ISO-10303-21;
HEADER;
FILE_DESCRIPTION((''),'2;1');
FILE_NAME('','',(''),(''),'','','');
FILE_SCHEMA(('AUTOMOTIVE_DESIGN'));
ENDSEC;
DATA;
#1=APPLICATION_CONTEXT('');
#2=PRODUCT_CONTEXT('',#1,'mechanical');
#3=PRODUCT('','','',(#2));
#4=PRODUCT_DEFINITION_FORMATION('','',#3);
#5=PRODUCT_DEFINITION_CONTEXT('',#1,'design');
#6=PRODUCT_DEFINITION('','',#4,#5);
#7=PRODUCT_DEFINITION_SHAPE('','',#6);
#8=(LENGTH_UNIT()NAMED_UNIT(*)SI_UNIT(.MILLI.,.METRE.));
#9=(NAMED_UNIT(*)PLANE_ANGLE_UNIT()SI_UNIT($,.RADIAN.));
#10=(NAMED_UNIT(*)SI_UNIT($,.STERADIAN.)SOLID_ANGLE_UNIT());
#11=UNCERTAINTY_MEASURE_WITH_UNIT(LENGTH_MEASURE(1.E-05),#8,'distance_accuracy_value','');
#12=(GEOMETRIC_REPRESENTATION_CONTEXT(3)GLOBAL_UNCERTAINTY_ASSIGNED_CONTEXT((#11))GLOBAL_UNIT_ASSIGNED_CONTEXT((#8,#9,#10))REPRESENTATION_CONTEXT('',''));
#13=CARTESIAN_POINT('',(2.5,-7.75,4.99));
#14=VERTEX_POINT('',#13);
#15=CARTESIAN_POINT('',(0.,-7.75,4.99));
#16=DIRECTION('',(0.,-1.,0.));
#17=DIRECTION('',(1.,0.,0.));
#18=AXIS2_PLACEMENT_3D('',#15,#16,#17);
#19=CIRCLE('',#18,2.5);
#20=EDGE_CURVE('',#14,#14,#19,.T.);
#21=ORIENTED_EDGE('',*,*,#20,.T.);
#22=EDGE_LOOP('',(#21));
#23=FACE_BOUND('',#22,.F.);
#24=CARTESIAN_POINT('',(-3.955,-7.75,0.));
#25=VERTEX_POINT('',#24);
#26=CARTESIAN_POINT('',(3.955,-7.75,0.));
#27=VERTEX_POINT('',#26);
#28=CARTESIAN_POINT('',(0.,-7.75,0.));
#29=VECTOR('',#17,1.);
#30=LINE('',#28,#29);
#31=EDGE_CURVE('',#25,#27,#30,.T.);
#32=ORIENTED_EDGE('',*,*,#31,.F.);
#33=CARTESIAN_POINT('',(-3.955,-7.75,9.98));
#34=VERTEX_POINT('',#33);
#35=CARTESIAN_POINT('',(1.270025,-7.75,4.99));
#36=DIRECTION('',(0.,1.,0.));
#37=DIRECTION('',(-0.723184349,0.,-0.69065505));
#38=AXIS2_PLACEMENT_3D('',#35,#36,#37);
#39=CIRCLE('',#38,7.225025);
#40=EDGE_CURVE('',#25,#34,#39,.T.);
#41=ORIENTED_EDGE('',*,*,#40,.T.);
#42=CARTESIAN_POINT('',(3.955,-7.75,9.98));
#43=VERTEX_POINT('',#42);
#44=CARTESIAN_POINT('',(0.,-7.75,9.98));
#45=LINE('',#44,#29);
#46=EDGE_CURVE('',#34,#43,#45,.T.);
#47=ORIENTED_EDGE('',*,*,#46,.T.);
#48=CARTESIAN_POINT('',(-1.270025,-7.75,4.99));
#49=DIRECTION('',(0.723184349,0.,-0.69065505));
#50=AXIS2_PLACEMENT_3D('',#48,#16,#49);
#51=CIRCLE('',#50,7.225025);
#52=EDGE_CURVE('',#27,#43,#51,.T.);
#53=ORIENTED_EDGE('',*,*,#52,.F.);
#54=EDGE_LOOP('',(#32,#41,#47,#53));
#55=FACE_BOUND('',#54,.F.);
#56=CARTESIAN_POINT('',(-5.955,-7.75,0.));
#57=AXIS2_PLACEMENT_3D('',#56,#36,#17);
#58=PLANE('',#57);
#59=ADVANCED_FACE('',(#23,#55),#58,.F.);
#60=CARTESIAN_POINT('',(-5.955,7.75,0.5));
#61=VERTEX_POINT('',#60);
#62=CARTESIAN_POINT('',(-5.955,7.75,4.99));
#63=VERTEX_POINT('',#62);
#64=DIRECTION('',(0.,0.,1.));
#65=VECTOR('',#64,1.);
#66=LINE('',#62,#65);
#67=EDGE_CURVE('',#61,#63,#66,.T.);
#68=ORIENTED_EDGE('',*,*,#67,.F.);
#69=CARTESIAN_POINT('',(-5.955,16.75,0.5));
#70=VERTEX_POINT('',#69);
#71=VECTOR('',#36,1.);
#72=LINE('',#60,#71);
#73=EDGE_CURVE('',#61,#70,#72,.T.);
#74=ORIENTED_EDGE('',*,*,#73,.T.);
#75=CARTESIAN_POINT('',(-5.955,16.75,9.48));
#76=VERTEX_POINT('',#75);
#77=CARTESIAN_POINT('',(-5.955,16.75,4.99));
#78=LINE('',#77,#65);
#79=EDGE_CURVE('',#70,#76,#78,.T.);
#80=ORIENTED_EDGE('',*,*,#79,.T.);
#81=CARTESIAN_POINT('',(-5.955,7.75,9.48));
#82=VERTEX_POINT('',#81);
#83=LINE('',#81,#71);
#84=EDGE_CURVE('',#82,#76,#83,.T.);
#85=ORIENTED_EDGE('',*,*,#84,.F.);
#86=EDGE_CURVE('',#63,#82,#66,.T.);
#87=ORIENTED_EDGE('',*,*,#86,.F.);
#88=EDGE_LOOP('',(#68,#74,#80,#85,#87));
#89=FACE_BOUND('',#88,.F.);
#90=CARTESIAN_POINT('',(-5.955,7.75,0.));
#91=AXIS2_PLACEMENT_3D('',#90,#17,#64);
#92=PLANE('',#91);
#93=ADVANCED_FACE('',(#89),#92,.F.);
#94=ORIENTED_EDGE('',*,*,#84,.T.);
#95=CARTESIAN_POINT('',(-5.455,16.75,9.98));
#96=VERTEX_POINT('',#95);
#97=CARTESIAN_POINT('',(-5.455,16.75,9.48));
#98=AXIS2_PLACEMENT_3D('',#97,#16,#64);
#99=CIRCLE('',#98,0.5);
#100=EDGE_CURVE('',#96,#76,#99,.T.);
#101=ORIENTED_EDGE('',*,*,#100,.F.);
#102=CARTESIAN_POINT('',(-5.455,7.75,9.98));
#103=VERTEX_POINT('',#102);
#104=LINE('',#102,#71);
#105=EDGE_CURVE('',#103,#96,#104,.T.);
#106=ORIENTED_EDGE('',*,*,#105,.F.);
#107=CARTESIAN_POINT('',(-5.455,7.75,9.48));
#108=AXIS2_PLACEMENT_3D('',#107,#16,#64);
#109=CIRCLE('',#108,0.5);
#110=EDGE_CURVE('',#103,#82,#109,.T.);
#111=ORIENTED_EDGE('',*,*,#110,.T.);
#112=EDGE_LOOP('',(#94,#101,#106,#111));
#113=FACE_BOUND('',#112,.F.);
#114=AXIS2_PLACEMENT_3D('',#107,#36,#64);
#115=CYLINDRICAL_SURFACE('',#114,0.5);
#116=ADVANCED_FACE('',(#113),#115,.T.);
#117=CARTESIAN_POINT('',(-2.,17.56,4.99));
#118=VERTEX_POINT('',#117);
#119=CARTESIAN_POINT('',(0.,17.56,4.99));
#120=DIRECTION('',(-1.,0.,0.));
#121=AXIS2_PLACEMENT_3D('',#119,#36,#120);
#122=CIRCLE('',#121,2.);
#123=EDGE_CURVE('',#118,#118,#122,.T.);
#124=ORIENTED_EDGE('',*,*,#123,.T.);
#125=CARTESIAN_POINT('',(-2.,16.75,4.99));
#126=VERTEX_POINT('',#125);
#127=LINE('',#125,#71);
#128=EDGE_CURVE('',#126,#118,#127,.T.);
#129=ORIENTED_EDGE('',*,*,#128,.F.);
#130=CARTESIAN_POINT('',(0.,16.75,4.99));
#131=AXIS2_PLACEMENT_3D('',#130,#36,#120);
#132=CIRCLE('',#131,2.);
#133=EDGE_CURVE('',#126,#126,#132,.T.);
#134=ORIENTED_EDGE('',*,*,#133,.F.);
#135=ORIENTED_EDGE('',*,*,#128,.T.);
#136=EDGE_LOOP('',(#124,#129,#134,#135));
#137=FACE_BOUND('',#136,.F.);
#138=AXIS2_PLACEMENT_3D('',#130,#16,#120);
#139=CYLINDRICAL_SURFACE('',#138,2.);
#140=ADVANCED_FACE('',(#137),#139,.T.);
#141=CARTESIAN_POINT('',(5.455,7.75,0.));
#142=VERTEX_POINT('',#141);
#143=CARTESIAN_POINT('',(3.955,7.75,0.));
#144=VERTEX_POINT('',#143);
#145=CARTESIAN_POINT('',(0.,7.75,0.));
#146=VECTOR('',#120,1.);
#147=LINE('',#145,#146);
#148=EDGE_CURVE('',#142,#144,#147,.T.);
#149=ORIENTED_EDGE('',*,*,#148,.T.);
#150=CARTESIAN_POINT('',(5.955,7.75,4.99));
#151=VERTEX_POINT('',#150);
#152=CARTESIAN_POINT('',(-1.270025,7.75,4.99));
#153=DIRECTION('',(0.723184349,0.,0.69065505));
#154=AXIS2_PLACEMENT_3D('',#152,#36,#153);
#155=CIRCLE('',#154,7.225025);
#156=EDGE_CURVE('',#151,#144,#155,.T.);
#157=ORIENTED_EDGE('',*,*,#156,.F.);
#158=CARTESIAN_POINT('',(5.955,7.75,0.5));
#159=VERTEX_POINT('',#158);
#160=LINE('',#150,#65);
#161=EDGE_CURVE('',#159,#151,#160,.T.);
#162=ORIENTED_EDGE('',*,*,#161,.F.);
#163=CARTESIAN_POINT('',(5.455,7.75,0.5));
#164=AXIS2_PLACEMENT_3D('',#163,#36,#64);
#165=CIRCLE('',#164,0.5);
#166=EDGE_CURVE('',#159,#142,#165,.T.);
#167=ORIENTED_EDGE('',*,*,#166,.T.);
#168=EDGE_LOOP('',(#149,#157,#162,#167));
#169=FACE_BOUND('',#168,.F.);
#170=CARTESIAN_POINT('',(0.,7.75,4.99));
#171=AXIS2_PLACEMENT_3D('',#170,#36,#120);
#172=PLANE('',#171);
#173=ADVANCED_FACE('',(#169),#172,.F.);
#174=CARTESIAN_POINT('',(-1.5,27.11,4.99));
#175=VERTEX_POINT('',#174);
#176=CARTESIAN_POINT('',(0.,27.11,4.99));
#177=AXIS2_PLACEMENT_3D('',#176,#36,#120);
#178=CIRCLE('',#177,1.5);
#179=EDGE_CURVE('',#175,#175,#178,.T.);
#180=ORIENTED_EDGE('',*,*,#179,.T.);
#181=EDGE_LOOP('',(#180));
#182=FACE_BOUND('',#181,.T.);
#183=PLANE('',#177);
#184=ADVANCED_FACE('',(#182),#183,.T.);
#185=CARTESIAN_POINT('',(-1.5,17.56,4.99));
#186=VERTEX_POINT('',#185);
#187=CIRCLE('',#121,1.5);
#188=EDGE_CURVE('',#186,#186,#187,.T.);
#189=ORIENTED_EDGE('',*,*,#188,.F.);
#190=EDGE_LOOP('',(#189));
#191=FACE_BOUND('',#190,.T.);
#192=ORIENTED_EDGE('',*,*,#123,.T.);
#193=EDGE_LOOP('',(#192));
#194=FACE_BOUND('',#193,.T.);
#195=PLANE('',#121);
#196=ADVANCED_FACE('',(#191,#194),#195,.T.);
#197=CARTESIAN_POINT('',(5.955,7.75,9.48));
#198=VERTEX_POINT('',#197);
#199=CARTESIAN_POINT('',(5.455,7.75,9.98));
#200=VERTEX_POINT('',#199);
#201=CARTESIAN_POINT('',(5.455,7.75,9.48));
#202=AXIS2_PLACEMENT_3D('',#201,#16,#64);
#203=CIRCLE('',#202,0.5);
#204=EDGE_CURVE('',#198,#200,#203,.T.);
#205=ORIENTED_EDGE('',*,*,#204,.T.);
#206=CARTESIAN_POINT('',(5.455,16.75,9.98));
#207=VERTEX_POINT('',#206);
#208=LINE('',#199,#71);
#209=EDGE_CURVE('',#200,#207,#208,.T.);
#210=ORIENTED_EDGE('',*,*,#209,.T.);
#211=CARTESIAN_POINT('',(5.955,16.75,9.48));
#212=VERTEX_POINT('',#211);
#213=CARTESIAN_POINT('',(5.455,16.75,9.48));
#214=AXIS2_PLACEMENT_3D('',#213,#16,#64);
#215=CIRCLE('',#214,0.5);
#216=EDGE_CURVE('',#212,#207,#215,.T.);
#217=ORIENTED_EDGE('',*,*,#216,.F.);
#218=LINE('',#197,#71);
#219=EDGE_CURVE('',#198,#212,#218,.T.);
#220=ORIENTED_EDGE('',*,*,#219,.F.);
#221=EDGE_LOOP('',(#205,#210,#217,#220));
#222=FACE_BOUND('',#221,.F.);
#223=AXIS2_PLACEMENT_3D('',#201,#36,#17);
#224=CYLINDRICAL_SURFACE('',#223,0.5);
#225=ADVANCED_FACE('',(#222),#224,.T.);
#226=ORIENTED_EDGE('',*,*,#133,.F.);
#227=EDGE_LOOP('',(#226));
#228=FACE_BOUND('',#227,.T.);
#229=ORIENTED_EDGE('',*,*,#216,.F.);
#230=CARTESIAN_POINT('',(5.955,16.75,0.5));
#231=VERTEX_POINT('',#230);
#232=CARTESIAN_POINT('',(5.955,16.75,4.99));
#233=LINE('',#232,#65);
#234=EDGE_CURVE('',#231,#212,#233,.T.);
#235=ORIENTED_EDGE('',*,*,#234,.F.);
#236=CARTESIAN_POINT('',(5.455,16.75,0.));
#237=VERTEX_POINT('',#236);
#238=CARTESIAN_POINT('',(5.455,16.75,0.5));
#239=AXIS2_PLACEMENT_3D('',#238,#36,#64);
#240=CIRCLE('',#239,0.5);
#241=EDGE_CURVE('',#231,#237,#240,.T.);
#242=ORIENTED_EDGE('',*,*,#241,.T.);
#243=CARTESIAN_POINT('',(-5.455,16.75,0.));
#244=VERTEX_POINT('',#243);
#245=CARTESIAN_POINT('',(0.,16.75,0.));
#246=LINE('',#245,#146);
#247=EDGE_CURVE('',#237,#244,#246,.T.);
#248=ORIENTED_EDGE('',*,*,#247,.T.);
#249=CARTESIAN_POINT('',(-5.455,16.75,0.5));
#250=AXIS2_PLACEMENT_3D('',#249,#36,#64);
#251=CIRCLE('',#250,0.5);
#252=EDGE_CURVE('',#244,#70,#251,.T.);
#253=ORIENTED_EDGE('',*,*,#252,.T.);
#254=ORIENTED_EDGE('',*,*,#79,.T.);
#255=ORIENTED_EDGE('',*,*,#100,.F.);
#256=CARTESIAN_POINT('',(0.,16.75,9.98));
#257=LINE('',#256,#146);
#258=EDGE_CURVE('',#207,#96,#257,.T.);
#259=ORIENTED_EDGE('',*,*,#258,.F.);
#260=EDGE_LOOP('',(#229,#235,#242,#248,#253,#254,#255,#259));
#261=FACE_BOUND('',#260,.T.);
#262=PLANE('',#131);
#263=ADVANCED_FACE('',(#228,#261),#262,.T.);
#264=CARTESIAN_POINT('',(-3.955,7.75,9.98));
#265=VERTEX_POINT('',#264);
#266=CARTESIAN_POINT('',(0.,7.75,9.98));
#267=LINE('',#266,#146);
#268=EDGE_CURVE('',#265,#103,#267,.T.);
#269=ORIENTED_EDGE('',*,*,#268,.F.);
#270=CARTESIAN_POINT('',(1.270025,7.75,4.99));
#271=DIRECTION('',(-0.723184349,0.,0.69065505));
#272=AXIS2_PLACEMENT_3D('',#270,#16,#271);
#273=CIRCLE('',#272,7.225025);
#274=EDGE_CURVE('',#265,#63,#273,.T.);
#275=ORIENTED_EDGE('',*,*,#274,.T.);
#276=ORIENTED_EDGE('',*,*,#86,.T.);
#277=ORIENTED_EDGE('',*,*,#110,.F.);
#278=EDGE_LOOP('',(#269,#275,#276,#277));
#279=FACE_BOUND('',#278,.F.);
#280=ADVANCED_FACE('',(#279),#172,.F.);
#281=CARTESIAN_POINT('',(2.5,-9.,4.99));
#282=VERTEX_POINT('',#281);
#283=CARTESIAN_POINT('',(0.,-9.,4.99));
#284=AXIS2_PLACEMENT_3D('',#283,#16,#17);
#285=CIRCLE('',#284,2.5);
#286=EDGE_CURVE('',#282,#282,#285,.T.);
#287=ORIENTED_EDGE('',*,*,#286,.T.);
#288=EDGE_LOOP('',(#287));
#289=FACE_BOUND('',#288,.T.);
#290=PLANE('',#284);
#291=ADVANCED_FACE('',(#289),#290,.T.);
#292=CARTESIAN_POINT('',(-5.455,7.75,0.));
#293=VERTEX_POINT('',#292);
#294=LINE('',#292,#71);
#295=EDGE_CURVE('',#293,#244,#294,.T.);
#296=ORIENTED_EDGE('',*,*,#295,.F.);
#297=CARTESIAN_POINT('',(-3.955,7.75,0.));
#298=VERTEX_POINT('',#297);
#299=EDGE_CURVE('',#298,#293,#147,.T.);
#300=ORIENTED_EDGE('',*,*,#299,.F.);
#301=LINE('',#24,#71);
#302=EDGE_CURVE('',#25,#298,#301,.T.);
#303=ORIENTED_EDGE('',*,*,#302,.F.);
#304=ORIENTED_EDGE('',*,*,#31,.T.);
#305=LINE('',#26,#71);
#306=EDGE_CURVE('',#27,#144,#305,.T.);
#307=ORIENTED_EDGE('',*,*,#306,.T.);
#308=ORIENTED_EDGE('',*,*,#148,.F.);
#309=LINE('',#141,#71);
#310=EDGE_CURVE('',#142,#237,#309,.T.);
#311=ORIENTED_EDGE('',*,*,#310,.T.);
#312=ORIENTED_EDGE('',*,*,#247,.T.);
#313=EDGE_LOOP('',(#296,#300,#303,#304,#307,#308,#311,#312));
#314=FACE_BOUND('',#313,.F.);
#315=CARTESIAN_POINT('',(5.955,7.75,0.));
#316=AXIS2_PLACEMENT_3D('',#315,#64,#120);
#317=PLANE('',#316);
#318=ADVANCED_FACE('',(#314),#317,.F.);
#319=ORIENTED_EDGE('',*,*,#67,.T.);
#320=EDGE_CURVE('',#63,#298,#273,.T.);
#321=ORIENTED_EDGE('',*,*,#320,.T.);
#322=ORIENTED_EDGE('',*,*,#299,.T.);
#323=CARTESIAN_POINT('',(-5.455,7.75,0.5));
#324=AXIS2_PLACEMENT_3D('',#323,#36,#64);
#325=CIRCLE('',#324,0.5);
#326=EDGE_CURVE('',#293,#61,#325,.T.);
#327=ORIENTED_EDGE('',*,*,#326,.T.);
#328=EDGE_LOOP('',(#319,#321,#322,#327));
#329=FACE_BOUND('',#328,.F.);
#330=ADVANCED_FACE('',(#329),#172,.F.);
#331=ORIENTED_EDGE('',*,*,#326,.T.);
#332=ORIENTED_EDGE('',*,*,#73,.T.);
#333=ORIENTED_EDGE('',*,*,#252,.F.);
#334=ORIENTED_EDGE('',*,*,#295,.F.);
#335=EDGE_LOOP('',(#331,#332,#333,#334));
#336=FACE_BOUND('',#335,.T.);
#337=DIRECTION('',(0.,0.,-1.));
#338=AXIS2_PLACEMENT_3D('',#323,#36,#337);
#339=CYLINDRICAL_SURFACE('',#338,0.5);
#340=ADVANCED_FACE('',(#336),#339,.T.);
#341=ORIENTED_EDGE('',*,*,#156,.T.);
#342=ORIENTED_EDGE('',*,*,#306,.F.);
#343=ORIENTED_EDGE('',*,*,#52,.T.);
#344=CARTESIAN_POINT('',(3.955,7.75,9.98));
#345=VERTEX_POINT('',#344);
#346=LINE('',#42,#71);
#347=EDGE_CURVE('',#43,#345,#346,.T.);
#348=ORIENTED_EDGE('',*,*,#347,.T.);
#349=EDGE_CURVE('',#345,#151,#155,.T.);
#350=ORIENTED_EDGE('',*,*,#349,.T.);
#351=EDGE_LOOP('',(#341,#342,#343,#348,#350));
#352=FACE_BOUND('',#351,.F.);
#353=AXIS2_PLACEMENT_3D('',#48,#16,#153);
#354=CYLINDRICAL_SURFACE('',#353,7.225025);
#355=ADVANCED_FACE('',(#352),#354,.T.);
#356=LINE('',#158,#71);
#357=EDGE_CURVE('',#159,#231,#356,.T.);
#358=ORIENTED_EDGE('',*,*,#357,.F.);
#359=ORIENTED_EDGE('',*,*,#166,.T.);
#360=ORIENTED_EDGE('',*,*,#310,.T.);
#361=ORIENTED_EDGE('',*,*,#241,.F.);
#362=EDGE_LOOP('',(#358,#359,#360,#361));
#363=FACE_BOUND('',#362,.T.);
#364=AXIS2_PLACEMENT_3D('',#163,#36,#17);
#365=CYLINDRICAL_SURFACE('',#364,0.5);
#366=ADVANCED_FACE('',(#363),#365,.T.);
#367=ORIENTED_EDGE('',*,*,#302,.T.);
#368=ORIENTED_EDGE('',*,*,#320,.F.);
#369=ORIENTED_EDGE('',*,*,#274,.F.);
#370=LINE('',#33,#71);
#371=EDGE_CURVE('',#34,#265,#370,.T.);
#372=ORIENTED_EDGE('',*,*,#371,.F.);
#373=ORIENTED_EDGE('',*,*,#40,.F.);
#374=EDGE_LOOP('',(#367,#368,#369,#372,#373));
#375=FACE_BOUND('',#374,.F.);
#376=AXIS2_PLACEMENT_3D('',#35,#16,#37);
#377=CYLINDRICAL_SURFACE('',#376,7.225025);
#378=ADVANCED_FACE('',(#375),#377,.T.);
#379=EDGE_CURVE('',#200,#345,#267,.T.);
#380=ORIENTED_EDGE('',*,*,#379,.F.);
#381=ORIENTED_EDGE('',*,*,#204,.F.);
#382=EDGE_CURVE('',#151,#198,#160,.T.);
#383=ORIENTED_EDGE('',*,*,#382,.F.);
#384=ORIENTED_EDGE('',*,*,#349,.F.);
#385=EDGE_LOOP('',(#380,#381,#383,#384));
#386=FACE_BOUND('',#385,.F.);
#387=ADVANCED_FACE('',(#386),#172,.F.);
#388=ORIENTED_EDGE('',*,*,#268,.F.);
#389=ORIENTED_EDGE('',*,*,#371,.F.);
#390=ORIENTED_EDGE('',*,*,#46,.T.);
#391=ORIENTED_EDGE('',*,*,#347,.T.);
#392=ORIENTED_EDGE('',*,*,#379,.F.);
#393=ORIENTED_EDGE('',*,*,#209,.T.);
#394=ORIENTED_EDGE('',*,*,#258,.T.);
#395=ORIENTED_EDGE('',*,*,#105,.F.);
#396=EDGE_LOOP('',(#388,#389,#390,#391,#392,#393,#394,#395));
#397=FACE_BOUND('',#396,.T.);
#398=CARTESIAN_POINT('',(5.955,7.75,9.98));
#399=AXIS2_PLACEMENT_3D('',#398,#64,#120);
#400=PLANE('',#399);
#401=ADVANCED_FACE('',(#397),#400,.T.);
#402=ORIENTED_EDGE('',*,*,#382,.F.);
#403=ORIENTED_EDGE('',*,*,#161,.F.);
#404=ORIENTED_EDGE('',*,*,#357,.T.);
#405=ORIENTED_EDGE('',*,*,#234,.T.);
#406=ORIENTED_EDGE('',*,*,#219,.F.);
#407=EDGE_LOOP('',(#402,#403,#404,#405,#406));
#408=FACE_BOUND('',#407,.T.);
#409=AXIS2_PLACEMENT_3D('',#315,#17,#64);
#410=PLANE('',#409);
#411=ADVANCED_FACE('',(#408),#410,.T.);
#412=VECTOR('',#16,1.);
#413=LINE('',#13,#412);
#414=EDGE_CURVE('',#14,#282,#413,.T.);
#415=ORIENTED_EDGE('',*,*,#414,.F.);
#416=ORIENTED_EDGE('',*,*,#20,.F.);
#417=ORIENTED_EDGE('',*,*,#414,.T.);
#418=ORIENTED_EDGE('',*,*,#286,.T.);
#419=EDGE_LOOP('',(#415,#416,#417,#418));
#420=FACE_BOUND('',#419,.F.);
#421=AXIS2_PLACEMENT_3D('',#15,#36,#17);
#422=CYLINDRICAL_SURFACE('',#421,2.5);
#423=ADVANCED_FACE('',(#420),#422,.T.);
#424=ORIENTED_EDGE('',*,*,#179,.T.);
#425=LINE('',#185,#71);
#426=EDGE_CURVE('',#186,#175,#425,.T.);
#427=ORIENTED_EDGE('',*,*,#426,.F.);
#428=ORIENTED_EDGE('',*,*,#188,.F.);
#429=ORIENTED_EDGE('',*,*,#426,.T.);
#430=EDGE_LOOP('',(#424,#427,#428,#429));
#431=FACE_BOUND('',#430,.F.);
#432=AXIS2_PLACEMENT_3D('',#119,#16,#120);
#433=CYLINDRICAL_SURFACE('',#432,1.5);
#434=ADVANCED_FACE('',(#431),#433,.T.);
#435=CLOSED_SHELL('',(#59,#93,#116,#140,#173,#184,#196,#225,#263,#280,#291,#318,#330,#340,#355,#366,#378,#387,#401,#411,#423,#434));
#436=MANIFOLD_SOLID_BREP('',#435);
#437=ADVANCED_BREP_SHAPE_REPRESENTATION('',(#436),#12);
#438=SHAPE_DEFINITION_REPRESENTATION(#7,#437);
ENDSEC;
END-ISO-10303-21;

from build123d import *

# Parameters (mm, degrees)
F0_W      = 11.91
F0_H      = 15.5
F1_DEPTH  = 9.98
F3_DEPTH  = 25.4
F4_R      = 2.5
F5_DEPTH  = 1.25
F6_W      = 11.91
F6_H      = 9.98
F7_DEPTH  = 9
F8_R      = 2
F9_DEPTH  = 0.81
F10_R     = 1.5
F11_DEPTH = 9.55
F12_R     = 0.5


with BuildPart() as f1:
    # F0 (on Top) → F1 (new body)
    with BuildSketch(Plane.XY):
        Rectangle(F0_W, F0_H)
    extrude(amount=F1_DEPTH)

    # F2 (on face) → F3 (cut)
    with BuildSketch(Plane.XZ.offset(7.75)):
        with BuildLine():
            ThreePointArc((-3.955, 0), (-5.955, 4.99), (-3.955, 9.98))
            Line((-3.955, 9.98), (-7.13, 9.98))
            Line((-7.13, 9.98), (-7.13, 0))
            Line((-7.13, 0), (-3.955, 0))
        make_face()
        with BuildLine():
            Line((7.13, 9.98), (3.955, 9.98))
            ThreePointArc((3.955, 9.98), (5.955, 4.99), (3.955, 0))
            Line((3.955, 0), (7.13, 0))
            Line((7.13, 0), (7.13, 9.98))
        make_face()
    extrude(amount=-F3_DEPTH, mode=Mode.SUBTRACT)

    # F4 (on face) → F5 (join)
    with BuildSketch(Plane.XZ.offset(7.75)):
        with Locations((0, 4.99)):
            Circle(F4_R)
    extrude(amount=F5_DEPTH)

    # F6 (on face) → F7 (join)
    with BuildSketch(Plane(origin=(0, 7.75, 0), x_dir=(-1, 0, 0), z_dir=(0, 1, 0))):
        with Locations((0, 4.99)):
            Rectangle(F6_W, F6_H)
    extrude(amount=F7_DEPTH)

    # F8 (on face) → F9 (join)
    with BuildSketch(Plane(origin=(0, 16.75, 0), x_dir=(-1, 0, 0), z_dir=(0, 1, 0))):
        with Locations((0, 4.99)):
            Circle(F8_R)
    extrude(amount=F9_DEPTH)

    # F10 (on face) → F11 (join)
    with BuildSketch(Plane(origin=(0, 17.56, 0), x_dir=(-1, 0, 0), z_dir=(0, 1, 0))):
        with Locations((0, 4.99)):
            Circle(F10_R)
    extrude(amount=F11_DEPTH)

    # F12
    f12_edges = [f1.edges().sort_by_distance(p)[0] for p in [
        (5.955, 12.25, 9.98),
        (-5.955, 12.25, 9.98),
        (5.955, 12.25, 0),
        (-5.955, 12.25, 0),
    ]]
    fillet(f12_edges, radius=F12_R)


solid = f1.part
